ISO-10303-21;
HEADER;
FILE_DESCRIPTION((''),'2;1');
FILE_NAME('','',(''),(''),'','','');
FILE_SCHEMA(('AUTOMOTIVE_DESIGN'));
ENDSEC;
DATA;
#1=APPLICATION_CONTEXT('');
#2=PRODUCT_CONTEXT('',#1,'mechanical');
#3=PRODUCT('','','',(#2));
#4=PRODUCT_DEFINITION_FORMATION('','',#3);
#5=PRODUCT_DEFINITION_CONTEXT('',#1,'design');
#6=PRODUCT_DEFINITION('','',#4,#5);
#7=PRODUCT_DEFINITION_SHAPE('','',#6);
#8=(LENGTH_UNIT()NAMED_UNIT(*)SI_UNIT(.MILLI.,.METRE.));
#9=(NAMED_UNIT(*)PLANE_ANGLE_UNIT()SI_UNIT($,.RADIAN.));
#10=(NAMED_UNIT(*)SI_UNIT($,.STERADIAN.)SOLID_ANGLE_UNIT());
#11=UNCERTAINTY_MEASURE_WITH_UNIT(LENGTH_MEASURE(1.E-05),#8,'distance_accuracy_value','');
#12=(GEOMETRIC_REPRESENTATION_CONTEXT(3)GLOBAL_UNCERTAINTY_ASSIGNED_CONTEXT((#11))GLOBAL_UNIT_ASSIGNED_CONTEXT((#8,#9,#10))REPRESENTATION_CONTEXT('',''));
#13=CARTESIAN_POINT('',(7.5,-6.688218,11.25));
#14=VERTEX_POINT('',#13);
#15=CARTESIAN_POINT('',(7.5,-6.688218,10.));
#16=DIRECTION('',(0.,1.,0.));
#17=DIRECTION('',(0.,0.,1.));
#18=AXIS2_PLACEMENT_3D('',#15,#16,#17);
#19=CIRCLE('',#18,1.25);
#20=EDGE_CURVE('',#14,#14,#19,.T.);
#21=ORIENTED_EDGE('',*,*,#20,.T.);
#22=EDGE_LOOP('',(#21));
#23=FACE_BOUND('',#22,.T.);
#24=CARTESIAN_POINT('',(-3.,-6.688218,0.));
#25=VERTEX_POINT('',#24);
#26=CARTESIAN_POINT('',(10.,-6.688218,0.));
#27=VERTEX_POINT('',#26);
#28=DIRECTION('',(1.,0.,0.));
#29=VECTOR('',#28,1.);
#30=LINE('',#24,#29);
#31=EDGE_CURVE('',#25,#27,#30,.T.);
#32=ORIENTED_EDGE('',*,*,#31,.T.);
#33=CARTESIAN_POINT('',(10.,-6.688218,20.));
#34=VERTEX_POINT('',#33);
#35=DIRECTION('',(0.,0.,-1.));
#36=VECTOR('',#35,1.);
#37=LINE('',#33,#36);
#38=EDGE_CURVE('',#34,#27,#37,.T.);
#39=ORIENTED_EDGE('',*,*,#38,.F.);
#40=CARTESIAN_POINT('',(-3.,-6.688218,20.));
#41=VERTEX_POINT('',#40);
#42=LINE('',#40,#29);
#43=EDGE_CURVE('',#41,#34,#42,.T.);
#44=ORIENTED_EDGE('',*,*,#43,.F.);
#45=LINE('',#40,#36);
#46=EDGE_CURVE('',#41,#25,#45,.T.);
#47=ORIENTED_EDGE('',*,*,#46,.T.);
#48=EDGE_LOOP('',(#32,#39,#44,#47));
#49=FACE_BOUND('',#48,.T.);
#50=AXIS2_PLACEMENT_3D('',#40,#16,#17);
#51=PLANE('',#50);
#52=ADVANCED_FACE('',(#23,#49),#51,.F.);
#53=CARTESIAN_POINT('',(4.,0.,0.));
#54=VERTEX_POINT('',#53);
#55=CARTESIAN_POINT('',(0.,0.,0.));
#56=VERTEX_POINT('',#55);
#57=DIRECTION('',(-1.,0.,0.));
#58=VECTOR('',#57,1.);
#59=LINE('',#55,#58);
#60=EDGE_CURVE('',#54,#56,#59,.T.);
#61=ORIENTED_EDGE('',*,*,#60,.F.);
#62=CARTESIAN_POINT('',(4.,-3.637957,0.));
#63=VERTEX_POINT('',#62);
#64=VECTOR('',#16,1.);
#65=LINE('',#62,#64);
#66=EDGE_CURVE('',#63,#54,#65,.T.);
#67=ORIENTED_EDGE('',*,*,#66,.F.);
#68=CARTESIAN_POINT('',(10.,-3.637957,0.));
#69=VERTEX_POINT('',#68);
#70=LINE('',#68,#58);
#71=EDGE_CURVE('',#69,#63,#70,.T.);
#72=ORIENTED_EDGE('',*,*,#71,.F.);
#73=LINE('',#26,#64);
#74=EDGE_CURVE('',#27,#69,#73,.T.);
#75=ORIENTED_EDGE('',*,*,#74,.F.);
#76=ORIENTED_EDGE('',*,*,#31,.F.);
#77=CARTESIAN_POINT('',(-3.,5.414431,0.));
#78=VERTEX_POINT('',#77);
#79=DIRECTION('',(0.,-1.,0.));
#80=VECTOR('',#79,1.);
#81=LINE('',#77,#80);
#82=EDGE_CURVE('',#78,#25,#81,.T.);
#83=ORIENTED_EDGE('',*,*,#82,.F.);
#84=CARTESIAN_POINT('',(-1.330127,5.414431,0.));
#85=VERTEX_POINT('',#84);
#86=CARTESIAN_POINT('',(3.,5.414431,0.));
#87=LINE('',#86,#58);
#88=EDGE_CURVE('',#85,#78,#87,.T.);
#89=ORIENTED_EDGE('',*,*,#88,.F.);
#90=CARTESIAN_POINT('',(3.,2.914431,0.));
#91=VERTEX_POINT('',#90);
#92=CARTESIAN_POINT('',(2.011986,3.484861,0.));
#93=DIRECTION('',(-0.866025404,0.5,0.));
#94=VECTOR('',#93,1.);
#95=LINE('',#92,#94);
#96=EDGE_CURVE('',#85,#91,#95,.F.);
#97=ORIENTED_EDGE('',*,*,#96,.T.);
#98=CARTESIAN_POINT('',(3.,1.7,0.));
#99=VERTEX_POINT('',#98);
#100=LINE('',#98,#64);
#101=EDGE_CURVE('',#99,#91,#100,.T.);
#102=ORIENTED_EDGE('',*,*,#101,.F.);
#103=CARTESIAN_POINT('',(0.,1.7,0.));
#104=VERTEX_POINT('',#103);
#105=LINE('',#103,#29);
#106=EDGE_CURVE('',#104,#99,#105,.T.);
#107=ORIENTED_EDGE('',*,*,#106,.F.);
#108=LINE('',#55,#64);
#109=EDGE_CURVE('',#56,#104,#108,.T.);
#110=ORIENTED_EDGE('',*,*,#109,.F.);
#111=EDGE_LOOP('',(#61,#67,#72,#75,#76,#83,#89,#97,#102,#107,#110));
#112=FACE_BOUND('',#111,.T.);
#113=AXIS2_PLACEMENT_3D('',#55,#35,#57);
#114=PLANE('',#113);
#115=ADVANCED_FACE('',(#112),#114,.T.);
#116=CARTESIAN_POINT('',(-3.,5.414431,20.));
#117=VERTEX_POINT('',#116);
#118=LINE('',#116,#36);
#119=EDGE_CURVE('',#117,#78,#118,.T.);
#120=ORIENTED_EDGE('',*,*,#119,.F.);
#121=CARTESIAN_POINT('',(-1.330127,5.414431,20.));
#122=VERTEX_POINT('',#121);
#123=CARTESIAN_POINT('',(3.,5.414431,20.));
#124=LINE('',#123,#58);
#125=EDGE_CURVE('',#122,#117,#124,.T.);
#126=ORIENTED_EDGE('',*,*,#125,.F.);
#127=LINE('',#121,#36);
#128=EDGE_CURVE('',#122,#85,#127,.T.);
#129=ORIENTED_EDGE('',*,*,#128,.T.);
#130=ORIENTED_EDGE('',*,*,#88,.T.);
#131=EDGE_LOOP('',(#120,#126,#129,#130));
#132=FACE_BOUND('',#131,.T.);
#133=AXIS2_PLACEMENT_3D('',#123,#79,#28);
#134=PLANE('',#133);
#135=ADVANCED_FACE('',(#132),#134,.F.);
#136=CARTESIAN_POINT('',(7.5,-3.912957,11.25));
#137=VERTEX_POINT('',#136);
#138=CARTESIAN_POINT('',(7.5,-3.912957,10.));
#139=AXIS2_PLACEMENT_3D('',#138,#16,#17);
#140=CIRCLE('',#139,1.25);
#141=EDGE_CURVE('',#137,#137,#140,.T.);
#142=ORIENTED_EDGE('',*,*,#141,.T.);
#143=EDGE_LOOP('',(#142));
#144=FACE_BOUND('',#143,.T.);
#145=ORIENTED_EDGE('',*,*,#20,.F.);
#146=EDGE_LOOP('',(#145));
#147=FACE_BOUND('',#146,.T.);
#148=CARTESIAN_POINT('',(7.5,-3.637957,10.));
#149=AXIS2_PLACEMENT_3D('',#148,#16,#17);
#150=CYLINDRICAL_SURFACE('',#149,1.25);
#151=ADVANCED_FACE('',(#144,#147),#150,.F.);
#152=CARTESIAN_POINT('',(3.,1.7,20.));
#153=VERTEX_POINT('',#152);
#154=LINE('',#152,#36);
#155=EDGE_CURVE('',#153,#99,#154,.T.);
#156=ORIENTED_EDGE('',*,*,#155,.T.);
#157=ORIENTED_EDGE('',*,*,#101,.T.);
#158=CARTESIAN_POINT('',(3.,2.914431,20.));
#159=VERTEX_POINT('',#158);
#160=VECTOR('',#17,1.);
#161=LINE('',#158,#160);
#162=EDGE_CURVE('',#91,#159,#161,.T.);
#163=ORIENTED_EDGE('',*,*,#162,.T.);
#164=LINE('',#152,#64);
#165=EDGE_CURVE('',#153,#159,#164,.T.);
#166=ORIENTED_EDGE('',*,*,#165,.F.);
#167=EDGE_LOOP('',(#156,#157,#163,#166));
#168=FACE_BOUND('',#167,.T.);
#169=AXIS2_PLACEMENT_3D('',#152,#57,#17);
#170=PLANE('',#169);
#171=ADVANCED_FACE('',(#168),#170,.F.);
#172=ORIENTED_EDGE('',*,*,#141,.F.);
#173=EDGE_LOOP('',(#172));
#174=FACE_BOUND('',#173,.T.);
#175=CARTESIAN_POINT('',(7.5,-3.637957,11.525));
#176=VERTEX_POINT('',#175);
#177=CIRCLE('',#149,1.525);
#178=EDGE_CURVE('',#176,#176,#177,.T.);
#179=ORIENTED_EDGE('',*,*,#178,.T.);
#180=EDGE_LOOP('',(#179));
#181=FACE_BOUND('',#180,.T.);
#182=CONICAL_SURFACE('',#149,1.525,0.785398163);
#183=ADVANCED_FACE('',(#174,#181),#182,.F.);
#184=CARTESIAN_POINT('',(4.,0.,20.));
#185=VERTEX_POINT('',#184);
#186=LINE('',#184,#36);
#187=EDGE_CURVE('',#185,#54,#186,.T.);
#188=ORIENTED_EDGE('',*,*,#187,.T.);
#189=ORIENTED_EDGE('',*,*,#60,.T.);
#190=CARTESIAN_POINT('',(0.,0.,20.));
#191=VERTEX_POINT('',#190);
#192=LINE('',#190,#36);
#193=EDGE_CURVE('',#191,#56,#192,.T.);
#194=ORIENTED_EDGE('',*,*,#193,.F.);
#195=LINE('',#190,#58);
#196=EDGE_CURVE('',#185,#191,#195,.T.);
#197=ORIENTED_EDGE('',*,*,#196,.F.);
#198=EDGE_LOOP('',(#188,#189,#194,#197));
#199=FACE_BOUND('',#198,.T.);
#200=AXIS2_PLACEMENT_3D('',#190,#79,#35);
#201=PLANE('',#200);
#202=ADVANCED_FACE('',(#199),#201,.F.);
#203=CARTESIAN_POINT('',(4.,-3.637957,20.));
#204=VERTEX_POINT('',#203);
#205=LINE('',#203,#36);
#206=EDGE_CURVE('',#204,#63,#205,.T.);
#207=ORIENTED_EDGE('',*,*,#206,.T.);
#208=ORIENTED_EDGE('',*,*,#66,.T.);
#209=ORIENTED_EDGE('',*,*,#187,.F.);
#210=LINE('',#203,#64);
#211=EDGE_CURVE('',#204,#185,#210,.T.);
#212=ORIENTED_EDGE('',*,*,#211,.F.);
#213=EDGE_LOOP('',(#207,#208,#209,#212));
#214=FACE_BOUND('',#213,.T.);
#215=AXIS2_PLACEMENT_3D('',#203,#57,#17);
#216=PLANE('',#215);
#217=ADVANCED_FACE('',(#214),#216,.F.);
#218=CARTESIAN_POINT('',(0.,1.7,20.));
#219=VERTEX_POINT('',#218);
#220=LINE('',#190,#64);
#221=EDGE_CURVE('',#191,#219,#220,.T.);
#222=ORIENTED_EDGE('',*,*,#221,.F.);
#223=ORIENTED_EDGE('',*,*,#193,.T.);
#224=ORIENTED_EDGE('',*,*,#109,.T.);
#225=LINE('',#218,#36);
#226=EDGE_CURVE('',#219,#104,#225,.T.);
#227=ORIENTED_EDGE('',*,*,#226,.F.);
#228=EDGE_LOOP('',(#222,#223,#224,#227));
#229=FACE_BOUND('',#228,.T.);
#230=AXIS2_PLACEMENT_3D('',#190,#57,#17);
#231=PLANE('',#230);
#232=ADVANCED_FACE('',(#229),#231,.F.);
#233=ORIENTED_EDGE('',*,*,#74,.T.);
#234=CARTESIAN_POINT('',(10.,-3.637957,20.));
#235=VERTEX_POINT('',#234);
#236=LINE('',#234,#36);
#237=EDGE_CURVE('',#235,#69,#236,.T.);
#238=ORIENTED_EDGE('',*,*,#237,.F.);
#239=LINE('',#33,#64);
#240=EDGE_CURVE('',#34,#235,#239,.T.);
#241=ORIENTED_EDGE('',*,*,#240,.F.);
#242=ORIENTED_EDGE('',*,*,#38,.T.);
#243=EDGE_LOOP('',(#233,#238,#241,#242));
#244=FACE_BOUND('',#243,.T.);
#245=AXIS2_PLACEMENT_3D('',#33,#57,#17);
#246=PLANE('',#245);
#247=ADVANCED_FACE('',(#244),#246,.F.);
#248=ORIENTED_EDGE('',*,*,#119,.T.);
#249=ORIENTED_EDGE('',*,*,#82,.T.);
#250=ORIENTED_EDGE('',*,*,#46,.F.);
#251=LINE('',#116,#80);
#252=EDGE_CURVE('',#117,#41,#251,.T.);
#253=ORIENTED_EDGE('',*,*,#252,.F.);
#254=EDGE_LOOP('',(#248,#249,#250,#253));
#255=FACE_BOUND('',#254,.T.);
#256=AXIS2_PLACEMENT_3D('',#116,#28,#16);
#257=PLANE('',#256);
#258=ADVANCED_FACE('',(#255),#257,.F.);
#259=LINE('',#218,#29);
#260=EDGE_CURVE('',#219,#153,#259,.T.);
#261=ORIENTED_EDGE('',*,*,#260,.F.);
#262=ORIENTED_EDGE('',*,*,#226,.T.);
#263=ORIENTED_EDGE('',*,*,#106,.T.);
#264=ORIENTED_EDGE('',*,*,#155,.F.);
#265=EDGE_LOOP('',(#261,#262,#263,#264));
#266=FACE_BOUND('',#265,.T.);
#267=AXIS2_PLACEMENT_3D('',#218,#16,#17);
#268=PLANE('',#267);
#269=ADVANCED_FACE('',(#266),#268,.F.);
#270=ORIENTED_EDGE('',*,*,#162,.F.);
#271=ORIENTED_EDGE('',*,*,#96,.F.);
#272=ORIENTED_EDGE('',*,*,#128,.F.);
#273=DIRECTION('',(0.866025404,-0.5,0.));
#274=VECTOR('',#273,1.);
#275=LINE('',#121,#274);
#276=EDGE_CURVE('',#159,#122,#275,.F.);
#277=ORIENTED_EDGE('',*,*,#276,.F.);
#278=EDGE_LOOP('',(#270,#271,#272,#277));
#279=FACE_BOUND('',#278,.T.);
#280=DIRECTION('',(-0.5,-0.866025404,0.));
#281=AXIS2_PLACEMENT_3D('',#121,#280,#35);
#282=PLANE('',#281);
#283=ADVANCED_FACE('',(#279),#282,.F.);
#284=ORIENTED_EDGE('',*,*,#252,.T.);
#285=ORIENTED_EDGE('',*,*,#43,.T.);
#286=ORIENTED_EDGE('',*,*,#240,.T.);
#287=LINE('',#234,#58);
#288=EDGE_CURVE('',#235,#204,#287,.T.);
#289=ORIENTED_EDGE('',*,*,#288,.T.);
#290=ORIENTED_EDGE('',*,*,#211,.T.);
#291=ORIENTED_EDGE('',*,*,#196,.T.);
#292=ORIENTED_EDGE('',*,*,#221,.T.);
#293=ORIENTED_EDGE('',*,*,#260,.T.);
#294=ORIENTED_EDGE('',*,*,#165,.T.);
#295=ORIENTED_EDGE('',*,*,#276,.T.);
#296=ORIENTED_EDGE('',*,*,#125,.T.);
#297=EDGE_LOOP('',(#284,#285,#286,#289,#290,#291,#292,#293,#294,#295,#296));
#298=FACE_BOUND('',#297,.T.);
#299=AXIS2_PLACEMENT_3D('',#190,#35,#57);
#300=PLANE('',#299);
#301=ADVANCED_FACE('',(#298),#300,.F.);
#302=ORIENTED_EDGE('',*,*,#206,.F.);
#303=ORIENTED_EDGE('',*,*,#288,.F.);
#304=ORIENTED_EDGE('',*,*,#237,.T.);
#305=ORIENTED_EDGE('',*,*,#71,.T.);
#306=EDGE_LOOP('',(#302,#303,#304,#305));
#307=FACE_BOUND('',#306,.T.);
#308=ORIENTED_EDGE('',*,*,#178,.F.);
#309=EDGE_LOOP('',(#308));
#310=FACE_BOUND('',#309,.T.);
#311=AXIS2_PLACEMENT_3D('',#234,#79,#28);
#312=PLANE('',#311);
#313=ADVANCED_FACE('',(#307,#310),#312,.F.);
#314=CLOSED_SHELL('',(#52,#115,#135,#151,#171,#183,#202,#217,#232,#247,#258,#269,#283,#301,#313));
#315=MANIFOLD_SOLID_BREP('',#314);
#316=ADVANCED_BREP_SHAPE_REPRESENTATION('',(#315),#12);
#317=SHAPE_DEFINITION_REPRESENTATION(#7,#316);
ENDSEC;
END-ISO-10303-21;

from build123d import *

# Parameters (mm, degrees)
BOSS_EXTRUDE1_DEPTH             = 20
M3X0_5_TAPPED_HOLE1_D           = 2.5
M3X0_5_TAPPED_HOLE1_CSINK_D     = 3.05
M3X0_5_TAPPED_HOLE1_CSINK_ANGLE = 90
CHAMFER1_SIZE                   = 2.5
CHAMFER1_SIZE2                  = 4.330127019


with BuildPart() as part:
    # Sketch1 → Boss-Extrude1 (new body)
    with BuildSketch(Plane.XY):
        Polygon((0, 0), (4, 0), (4, -3.637956731), (10, -3.637956731), (10, -6.68821772), (-3, -6.68821772), (-3, 5.414430721), (3, 5.414430721), (3, 1.7), (0, 1.7), align=None)
    extrude(amount=BOSS_EXTRUDE1_DEPTH)

    # M3x0.5 Tapped Hole1 (through all)
    with Locations(Plane(origin=(0, -3.637956731, 0), x_dir=(1, 0, 0), z_dir=(0, 1, 0))):
        with Locations((7.5, -10)):
            CounterSinkHole(M3X0_5_TAPPED_HOLE1_D / 2, M3X0_5_TAPPED_HOLE1_CSINK_D / 2, counter_sink_angle=M3X0_5_TAPPED_HOLE1_CSINK_ANGLE)

    # Chamfer1
    chamfer1_edges = [part.edges().sort_by_distance(p)[0] for p in [
        (3, 5.414430721, 10),
    ]]
    chamfer1_side = [part.faces().sort_by_distance(p)[0] for p in [
        (3, 3.55721536, 10),
    ]]
    chamfer(chamfer1_edges, length=CHAMFER1_SIZE, length2=CHAMFER1_SIZE2, reference=chamfer1_side[0])


solid = part.part
